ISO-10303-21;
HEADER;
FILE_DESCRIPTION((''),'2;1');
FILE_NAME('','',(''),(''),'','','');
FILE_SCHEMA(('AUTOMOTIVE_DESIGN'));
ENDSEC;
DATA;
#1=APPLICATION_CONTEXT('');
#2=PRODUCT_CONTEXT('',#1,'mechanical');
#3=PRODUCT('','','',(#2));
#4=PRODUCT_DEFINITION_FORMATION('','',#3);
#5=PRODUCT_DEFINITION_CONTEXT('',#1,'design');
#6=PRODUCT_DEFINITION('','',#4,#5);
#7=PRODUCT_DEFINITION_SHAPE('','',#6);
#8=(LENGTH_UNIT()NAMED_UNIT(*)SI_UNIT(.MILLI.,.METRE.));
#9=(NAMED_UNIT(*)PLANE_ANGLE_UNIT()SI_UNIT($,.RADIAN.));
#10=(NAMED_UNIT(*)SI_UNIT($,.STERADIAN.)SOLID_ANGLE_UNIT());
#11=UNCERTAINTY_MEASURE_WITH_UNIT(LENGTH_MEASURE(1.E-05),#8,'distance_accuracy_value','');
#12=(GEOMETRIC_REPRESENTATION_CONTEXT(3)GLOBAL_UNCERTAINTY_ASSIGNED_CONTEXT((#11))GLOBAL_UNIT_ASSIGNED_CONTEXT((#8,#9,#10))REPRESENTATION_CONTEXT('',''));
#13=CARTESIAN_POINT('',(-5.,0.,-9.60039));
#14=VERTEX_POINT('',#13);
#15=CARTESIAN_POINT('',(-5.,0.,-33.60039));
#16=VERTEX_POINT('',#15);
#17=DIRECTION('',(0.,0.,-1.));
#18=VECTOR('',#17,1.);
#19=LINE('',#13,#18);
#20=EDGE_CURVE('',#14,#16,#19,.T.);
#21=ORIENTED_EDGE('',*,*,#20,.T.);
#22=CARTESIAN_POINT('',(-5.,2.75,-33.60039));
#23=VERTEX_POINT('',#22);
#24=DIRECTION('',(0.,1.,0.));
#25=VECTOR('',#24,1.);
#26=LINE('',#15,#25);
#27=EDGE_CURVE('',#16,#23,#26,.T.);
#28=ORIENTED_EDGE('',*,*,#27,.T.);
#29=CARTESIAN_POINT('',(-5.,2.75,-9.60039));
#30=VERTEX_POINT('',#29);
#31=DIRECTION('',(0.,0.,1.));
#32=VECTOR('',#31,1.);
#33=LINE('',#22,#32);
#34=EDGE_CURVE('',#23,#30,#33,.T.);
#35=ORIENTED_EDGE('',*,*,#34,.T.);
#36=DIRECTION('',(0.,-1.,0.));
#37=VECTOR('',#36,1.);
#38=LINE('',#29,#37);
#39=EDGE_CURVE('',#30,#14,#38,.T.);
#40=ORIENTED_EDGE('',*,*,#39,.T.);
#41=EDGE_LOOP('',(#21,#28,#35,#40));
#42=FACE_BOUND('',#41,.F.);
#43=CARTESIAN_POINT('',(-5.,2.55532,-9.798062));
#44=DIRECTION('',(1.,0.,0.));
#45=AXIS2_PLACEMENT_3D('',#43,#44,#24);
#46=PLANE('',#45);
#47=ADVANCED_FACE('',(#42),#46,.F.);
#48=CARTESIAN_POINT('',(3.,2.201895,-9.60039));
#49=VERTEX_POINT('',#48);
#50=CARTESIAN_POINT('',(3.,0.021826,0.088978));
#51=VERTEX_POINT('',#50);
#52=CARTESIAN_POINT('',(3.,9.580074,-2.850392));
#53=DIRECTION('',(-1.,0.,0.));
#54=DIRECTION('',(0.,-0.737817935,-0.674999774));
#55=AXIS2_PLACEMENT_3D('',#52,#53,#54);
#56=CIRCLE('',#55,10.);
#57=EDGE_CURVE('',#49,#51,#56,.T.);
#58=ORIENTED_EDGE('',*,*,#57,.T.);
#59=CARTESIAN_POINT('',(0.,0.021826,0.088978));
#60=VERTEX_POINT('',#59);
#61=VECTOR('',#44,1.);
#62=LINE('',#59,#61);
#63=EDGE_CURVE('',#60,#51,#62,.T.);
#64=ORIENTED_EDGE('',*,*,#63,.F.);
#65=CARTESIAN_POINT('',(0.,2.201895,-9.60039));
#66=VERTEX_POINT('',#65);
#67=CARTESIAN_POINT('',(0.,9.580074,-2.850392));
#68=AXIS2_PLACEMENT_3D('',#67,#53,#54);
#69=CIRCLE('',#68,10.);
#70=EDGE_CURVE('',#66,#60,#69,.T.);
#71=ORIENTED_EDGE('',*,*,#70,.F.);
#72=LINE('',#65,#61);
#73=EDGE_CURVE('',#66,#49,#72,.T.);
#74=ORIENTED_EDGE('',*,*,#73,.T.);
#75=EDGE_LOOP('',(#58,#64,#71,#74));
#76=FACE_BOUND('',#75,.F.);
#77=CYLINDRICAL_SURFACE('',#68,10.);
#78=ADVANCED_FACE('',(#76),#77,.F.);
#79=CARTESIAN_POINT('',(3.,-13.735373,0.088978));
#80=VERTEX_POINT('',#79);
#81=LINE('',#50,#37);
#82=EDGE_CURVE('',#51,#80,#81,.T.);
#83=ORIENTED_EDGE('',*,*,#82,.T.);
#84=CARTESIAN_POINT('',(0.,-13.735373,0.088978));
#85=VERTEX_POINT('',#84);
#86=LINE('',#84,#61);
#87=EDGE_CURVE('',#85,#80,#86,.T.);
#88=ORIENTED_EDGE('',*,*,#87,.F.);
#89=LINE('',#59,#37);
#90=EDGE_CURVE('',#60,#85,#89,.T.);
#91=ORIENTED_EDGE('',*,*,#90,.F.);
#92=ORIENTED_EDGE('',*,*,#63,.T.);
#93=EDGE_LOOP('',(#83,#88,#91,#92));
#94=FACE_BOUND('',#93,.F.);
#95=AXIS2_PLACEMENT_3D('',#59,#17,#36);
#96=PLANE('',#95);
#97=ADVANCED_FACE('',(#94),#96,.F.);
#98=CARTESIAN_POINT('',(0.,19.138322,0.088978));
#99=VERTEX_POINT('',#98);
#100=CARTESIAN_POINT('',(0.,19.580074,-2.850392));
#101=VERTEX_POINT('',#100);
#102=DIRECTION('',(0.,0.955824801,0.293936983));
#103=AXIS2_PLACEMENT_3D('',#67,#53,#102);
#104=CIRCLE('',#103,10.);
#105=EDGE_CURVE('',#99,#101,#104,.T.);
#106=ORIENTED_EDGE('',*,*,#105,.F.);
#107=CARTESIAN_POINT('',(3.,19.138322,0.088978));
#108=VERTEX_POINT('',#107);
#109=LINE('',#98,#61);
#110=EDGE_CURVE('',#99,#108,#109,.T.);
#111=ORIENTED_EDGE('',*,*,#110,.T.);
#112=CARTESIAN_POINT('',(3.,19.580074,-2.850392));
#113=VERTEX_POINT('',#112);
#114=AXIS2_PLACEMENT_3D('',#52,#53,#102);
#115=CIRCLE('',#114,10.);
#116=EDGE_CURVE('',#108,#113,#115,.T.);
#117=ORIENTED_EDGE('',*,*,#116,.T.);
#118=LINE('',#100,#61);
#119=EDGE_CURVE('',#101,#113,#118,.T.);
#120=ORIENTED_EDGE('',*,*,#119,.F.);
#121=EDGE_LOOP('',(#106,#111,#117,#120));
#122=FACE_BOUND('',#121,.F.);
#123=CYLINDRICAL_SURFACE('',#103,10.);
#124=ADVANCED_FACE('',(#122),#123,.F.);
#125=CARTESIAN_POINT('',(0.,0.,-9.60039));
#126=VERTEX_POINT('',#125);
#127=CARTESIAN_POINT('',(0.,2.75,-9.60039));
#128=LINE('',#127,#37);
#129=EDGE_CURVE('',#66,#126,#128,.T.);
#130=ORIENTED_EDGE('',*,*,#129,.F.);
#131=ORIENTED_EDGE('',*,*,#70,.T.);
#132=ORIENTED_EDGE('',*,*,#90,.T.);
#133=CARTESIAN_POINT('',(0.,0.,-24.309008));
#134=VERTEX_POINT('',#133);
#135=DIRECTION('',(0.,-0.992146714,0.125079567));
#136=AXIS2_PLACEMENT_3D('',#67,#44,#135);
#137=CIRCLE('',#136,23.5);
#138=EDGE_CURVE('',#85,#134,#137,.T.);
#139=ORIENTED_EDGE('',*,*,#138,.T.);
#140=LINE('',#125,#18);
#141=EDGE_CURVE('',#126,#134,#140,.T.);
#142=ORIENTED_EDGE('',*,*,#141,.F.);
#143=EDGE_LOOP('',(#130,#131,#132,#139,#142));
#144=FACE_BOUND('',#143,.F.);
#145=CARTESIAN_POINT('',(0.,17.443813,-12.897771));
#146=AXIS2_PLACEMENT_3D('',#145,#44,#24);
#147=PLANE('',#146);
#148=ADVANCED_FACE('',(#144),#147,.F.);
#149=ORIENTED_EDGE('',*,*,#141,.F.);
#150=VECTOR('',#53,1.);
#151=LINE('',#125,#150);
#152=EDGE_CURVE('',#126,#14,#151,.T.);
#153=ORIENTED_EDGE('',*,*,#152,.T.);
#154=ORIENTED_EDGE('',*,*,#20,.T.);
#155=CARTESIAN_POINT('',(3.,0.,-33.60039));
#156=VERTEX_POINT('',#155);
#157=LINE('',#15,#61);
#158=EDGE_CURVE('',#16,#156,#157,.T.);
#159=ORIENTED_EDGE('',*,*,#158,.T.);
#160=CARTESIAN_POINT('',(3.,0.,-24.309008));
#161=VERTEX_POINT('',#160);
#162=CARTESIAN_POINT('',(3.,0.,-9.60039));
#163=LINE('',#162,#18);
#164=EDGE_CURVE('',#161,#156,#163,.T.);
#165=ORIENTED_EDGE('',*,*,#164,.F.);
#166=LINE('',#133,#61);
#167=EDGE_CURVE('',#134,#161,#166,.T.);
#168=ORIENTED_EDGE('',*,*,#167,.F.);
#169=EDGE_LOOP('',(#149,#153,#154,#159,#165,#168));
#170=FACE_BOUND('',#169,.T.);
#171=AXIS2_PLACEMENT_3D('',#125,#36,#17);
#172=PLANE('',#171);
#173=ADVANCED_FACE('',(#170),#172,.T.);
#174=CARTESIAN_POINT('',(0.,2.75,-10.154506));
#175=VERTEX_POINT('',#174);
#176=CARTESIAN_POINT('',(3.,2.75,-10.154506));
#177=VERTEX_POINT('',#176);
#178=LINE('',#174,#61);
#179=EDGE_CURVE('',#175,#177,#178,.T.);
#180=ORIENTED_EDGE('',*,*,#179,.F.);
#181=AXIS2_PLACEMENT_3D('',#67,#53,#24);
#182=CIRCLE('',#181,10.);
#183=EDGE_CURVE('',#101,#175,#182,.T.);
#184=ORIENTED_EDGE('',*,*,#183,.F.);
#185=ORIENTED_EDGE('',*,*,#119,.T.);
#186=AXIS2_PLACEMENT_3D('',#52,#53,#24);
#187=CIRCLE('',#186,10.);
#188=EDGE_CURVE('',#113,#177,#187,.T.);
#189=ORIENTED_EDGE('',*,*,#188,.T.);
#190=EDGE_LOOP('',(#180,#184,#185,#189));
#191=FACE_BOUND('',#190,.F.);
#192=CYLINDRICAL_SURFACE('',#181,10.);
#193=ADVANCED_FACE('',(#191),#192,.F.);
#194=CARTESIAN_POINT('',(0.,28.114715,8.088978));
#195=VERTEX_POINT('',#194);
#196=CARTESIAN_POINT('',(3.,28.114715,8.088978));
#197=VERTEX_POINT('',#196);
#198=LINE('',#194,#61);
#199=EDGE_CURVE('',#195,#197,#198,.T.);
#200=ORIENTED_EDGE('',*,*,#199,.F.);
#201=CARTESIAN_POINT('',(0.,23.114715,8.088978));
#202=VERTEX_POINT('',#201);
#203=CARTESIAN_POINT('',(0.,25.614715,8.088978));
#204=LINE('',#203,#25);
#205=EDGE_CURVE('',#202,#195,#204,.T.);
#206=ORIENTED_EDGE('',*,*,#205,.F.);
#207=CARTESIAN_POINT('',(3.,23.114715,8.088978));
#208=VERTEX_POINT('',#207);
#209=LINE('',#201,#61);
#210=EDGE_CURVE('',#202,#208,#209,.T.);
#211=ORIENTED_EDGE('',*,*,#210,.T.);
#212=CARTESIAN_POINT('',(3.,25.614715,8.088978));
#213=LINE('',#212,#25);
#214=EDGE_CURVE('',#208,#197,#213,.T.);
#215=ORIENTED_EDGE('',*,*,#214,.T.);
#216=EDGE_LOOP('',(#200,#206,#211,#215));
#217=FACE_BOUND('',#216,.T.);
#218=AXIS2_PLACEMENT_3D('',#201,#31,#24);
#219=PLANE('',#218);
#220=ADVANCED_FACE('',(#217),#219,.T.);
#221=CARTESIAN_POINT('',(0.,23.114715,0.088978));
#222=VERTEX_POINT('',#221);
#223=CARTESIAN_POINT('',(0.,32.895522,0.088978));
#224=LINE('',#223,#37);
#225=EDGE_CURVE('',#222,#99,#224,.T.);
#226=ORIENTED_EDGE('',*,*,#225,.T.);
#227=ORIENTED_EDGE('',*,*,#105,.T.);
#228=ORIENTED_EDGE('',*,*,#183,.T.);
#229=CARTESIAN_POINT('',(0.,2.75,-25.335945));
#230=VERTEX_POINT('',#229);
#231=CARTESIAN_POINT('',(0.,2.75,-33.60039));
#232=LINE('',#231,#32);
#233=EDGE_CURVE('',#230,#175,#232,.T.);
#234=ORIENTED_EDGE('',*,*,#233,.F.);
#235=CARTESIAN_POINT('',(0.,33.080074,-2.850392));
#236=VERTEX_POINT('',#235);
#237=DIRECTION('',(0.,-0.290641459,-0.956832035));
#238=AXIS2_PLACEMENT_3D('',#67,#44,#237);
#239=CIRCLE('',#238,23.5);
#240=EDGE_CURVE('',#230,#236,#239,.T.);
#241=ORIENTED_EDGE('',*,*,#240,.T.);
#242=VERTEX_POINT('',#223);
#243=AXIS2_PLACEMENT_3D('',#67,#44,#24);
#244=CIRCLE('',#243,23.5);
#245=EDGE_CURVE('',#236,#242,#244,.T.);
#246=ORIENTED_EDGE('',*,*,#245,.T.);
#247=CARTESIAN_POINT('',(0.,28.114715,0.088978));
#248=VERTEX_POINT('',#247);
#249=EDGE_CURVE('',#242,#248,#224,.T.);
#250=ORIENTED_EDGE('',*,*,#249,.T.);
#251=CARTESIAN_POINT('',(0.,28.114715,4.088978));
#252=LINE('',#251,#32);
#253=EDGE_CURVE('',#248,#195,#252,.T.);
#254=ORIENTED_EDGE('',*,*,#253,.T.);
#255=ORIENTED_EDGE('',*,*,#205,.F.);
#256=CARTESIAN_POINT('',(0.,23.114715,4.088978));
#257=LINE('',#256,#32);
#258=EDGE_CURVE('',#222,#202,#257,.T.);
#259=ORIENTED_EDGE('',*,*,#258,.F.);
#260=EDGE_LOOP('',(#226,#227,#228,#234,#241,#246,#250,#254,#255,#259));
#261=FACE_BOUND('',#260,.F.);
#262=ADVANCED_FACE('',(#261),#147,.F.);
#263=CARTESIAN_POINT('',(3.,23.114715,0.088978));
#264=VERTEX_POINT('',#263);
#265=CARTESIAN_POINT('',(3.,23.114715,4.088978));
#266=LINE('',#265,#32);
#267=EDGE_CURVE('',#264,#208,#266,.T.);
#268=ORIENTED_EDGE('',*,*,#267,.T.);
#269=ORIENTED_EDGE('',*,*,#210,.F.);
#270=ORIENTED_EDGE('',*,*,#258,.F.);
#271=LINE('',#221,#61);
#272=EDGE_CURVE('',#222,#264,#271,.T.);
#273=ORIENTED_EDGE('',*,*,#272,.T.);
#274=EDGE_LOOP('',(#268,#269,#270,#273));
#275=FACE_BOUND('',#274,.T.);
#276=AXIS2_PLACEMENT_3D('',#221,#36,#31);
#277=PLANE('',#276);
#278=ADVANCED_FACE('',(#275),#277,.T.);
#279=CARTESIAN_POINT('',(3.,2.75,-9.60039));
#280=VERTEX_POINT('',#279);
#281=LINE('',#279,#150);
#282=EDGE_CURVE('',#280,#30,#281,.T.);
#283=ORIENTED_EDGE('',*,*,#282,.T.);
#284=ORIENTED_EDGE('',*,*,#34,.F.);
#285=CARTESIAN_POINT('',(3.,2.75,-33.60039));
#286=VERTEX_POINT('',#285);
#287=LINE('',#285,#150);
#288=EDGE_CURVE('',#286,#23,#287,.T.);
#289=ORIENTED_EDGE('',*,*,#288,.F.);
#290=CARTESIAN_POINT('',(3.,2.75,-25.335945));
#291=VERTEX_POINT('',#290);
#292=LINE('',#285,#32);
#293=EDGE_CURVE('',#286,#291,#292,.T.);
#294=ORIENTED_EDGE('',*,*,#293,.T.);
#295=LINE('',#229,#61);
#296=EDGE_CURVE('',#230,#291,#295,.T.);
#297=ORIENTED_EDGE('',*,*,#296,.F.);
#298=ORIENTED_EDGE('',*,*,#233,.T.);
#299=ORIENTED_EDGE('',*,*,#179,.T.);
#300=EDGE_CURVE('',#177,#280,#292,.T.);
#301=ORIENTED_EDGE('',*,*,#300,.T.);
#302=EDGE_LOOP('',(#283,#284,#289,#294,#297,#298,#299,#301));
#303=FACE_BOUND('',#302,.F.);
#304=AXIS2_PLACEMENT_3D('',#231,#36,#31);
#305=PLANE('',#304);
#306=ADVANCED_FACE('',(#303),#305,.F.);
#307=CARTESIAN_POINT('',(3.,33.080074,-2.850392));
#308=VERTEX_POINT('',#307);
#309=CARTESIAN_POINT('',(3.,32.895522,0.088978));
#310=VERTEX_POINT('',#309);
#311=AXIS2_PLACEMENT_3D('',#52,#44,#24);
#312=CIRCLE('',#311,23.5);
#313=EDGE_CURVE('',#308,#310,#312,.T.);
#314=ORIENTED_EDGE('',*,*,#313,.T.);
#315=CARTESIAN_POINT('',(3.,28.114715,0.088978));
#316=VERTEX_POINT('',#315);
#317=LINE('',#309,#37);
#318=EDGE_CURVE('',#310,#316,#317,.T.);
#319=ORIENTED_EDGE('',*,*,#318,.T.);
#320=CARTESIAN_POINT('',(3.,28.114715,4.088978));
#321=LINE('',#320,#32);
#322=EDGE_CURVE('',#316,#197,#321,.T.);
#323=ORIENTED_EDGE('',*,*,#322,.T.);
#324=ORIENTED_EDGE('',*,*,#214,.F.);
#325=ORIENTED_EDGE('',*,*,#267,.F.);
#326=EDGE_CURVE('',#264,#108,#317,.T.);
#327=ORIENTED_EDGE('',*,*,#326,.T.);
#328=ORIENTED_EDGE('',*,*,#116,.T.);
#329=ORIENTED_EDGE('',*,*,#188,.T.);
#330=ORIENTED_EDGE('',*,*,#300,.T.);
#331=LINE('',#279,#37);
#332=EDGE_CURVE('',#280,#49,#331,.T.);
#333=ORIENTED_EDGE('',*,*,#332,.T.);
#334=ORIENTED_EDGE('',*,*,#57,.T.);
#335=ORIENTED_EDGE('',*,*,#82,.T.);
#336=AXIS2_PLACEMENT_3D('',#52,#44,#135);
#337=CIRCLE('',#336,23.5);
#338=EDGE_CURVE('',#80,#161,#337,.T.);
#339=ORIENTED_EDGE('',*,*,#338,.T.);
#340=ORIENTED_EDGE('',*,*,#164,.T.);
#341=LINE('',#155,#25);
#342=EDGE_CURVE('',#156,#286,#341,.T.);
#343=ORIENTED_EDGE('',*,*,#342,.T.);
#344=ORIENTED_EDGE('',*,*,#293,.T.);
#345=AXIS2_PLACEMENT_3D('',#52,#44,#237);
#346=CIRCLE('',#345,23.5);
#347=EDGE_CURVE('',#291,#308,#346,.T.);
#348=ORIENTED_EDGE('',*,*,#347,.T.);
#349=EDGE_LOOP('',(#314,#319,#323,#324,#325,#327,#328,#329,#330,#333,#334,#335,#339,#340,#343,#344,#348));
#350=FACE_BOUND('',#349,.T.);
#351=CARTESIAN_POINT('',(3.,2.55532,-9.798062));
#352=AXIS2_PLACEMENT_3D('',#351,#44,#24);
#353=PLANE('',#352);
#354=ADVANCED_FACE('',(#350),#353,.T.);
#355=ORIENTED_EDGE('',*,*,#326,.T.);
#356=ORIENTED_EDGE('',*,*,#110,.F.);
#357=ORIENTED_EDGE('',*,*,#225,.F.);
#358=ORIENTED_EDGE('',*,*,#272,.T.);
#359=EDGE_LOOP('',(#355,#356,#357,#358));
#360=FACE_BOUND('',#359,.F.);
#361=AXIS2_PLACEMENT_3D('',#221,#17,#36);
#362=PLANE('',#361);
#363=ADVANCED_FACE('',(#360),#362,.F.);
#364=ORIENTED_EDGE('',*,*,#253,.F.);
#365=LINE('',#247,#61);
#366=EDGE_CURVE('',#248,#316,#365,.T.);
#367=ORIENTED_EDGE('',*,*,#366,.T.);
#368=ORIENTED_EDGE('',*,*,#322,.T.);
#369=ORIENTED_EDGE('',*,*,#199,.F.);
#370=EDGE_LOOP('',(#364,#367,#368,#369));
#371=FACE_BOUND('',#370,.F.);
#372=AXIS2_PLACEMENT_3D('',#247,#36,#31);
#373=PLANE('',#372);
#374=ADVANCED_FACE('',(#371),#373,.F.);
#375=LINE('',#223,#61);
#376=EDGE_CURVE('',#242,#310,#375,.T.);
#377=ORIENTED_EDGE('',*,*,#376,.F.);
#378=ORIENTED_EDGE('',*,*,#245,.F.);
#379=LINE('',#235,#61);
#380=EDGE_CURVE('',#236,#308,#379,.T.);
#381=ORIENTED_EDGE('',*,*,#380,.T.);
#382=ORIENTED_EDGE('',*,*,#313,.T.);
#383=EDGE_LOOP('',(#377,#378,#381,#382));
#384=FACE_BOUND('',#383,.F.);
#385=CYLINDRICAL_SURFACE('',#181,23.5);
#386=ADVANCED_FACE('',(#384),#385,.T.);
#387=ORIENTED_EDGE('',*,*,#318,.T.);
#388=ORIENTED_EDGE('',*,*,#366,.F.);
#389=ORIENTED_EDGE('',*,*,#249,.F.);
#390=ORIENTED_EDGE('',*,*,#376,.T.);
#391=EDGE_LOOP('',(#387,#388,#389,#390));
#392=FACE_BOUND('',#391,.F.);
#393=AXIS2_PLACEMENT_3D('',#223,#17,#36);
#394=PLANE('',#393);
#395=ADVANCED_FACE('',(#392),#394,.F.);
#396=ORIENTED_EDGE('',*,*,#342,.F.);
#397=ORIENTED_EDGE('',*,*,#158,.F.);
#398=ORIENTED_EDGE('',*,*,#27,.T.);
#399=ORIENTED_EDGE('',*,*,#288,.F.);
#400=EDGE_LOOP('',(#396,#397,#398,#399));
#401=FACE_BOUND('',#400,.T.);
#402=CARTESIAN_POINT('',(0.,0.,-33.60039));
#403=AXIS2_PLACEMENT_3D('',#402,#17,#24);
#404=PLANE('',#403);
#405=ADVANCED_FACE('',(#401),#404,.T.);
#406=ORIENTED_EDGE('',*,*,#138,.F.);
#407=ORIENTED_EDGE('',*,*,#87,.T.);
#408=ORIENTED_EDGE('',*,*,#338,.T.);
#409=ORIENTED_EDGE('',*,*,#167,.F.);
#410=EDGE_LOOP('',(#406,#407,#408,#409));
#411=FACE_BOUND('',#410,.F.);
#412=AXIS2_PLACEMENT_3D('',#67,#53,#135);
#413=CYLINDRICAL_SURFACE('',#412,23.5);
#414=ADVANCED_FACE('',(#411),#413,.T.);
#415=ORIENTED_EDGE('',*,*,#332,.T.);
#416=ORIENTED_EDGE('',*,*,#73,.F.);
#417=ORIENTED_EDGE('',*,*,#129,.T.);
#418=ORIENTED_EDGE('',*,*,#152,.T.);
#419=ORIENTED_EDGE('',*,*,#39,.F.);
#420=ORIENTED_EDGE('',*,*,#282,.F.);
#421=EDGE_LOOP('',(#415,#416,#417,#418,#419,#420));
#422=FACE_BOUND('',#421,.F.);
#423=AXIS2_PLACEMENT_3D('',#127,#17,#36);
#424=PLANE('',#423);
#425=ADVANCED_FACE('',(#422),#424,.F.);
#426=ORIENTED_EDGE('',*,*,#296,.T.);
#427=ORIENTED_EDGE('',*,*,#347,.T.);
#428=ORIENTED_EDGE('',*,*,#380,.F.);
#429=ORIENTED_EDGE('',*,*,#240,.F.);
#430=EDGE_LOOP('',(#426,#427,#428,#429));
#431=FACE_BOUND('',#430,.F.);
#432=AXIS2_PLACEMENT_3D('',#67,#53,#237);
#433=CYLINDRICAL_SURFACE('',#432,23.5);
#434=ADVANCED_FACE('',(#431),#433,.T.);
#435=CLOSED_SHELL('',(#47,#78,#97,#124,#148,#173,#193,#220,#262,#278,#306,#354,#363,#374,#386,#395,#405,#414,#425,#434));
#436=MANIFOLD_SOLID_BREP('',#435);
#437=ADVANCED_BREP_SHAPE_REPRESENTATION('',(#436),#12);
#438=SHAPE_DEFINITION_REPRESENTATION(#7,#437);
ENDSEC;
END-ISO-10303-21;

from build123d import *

# Parameters (mm, degrees)
F3_W          = 5
F3_H          = 8
F4_DEPTH      = 3
F5_DEPTH      = 5
F5_DEPTH_BACK = 3


with BuildPart() as f4:
    # F3 (on Right) → F4 (new body)
    with BuildSketch(Plane.YZ):
        with BuildLine():
            ThreePointArc((19.1383222897, 0.0889776102), (19.469019625, -1.3642024736), (19.5800742792, -2.8503922149))
            ThreePointArc((19.5800742792, -2.8503922149), (13.5612334827, -12.023743369), (2.75, -10.1545064899))
            Line((2.75, -10.1545064899), (2.75, -25.3359450287))
            ThreePointArc((2.75, -25.3359450287), (23.5754887861, -21.7283786748), (33.0800742792, -2.8503922149))
            ThreePointArc((33.0800742792, -2.8503922149), (33.0338908423, -1.3778133128), (32.8955220559, 0.0889776102))
            Line((32.8955220559, 0.0889776102), (28.1147146076, 0.0889776102))
            Line((28.1147146076, 0.0889776102), (23.1147146076, 0.0889776102))
            Line((23.1147146076, 0.0889776102), (19.1383222897, 0.0889776102))
        make_face()
        with BuildLine():
            ThreePointArc((2.2018949322, -9.6003899574), (-0.1760316999, -5.0454767522), (0.0218262686, 0.0889776102))
            Line((0.0218262686, 0.0889776102), (-13.7353734976, 0.0889776102))
            ThreePointArc((-13.7353734976, 0.0889776102), (-10.8978226866, -14.3788672164), (0, -24.3090076597))
            Line((0, -24.3090076597), (0, -9.6003899574))
            Line((0, -9.6003899574), (2.2018949322, -9.6003899574))
        make_face()
        with BuildLine():
            Line((2.75, -25.3359450287), (2.75, -10.1545064899))
            ThreePointArc((2.75, -10.1545064899), (2.4705469349, -9.8827901659), (2.2018949322, -9.6003899574))
            Line((2.2018949322, -9.6003899574), (0, -9.6003899574))
            Line((0, -9.6003899574), (0, -24.3090076597))
            ThreePointArc((0, -24.3090076597), (1.3589494159, -24.8654576471), (2.75, -25.3359450287))
        make_face()
        with Locations((25.6147146076, 4.0889776102)):
            Rectangle(F3_W, F3_H)
    extrude(amount=F4_DEPTH)

    # F3 (on Right) → F5 (join, two sides)
    with BuildSketch(Plane.YZ) as f5_sk:
        with BuildLine():
            ThreePointArc((2.2018949322, -9.6003899574), (2.4705469349, -9.8827901659), (2.75, -10.1545064899))
            Line((2.75, -10.1545064899), (2.75, -9.6003899574))
            Line((2.75, -9.6003899574), (2.2018949322, -9.6003899574))
        make_face()
        with BuildLine():
            Line((2.75, -25.3359450287), (2.75, -10.1545064899))
            ThreePointArc((2.75, -10.1545064899), (2.4705469349, -9.8827901659), (2.2018949322, -9.6003899574))
            Line((2.2018949322, -9.6003899574), (0, -9.6003899574))
            Line((0, -9.6003899574), (0, -24.3090076597))
            ThreePointArc((0, -24.3090076597), (1.3589494159, -24.8654576471), (2.75, -25.3359450287))
        make_face()
        with BuildLine():
            Line((2.75, -33.6003899574), (2.75, -25.3359450287))
            ThreePointArc((2.75, -25.3359450287), (1.3589494159, -24.8654576471), (0, -24.3090076597))
            Line((0, -24.3090076597), (0, -33.6003899574))
            Line((0, -33.6003899574), (2.75, -33.6003899574))
        make_face()
    extrude(amount=-F5_DEPTH)
    extrude(f5_sk.sketch, amount=F5_DEPTH_BACK)


solid = f4.part
